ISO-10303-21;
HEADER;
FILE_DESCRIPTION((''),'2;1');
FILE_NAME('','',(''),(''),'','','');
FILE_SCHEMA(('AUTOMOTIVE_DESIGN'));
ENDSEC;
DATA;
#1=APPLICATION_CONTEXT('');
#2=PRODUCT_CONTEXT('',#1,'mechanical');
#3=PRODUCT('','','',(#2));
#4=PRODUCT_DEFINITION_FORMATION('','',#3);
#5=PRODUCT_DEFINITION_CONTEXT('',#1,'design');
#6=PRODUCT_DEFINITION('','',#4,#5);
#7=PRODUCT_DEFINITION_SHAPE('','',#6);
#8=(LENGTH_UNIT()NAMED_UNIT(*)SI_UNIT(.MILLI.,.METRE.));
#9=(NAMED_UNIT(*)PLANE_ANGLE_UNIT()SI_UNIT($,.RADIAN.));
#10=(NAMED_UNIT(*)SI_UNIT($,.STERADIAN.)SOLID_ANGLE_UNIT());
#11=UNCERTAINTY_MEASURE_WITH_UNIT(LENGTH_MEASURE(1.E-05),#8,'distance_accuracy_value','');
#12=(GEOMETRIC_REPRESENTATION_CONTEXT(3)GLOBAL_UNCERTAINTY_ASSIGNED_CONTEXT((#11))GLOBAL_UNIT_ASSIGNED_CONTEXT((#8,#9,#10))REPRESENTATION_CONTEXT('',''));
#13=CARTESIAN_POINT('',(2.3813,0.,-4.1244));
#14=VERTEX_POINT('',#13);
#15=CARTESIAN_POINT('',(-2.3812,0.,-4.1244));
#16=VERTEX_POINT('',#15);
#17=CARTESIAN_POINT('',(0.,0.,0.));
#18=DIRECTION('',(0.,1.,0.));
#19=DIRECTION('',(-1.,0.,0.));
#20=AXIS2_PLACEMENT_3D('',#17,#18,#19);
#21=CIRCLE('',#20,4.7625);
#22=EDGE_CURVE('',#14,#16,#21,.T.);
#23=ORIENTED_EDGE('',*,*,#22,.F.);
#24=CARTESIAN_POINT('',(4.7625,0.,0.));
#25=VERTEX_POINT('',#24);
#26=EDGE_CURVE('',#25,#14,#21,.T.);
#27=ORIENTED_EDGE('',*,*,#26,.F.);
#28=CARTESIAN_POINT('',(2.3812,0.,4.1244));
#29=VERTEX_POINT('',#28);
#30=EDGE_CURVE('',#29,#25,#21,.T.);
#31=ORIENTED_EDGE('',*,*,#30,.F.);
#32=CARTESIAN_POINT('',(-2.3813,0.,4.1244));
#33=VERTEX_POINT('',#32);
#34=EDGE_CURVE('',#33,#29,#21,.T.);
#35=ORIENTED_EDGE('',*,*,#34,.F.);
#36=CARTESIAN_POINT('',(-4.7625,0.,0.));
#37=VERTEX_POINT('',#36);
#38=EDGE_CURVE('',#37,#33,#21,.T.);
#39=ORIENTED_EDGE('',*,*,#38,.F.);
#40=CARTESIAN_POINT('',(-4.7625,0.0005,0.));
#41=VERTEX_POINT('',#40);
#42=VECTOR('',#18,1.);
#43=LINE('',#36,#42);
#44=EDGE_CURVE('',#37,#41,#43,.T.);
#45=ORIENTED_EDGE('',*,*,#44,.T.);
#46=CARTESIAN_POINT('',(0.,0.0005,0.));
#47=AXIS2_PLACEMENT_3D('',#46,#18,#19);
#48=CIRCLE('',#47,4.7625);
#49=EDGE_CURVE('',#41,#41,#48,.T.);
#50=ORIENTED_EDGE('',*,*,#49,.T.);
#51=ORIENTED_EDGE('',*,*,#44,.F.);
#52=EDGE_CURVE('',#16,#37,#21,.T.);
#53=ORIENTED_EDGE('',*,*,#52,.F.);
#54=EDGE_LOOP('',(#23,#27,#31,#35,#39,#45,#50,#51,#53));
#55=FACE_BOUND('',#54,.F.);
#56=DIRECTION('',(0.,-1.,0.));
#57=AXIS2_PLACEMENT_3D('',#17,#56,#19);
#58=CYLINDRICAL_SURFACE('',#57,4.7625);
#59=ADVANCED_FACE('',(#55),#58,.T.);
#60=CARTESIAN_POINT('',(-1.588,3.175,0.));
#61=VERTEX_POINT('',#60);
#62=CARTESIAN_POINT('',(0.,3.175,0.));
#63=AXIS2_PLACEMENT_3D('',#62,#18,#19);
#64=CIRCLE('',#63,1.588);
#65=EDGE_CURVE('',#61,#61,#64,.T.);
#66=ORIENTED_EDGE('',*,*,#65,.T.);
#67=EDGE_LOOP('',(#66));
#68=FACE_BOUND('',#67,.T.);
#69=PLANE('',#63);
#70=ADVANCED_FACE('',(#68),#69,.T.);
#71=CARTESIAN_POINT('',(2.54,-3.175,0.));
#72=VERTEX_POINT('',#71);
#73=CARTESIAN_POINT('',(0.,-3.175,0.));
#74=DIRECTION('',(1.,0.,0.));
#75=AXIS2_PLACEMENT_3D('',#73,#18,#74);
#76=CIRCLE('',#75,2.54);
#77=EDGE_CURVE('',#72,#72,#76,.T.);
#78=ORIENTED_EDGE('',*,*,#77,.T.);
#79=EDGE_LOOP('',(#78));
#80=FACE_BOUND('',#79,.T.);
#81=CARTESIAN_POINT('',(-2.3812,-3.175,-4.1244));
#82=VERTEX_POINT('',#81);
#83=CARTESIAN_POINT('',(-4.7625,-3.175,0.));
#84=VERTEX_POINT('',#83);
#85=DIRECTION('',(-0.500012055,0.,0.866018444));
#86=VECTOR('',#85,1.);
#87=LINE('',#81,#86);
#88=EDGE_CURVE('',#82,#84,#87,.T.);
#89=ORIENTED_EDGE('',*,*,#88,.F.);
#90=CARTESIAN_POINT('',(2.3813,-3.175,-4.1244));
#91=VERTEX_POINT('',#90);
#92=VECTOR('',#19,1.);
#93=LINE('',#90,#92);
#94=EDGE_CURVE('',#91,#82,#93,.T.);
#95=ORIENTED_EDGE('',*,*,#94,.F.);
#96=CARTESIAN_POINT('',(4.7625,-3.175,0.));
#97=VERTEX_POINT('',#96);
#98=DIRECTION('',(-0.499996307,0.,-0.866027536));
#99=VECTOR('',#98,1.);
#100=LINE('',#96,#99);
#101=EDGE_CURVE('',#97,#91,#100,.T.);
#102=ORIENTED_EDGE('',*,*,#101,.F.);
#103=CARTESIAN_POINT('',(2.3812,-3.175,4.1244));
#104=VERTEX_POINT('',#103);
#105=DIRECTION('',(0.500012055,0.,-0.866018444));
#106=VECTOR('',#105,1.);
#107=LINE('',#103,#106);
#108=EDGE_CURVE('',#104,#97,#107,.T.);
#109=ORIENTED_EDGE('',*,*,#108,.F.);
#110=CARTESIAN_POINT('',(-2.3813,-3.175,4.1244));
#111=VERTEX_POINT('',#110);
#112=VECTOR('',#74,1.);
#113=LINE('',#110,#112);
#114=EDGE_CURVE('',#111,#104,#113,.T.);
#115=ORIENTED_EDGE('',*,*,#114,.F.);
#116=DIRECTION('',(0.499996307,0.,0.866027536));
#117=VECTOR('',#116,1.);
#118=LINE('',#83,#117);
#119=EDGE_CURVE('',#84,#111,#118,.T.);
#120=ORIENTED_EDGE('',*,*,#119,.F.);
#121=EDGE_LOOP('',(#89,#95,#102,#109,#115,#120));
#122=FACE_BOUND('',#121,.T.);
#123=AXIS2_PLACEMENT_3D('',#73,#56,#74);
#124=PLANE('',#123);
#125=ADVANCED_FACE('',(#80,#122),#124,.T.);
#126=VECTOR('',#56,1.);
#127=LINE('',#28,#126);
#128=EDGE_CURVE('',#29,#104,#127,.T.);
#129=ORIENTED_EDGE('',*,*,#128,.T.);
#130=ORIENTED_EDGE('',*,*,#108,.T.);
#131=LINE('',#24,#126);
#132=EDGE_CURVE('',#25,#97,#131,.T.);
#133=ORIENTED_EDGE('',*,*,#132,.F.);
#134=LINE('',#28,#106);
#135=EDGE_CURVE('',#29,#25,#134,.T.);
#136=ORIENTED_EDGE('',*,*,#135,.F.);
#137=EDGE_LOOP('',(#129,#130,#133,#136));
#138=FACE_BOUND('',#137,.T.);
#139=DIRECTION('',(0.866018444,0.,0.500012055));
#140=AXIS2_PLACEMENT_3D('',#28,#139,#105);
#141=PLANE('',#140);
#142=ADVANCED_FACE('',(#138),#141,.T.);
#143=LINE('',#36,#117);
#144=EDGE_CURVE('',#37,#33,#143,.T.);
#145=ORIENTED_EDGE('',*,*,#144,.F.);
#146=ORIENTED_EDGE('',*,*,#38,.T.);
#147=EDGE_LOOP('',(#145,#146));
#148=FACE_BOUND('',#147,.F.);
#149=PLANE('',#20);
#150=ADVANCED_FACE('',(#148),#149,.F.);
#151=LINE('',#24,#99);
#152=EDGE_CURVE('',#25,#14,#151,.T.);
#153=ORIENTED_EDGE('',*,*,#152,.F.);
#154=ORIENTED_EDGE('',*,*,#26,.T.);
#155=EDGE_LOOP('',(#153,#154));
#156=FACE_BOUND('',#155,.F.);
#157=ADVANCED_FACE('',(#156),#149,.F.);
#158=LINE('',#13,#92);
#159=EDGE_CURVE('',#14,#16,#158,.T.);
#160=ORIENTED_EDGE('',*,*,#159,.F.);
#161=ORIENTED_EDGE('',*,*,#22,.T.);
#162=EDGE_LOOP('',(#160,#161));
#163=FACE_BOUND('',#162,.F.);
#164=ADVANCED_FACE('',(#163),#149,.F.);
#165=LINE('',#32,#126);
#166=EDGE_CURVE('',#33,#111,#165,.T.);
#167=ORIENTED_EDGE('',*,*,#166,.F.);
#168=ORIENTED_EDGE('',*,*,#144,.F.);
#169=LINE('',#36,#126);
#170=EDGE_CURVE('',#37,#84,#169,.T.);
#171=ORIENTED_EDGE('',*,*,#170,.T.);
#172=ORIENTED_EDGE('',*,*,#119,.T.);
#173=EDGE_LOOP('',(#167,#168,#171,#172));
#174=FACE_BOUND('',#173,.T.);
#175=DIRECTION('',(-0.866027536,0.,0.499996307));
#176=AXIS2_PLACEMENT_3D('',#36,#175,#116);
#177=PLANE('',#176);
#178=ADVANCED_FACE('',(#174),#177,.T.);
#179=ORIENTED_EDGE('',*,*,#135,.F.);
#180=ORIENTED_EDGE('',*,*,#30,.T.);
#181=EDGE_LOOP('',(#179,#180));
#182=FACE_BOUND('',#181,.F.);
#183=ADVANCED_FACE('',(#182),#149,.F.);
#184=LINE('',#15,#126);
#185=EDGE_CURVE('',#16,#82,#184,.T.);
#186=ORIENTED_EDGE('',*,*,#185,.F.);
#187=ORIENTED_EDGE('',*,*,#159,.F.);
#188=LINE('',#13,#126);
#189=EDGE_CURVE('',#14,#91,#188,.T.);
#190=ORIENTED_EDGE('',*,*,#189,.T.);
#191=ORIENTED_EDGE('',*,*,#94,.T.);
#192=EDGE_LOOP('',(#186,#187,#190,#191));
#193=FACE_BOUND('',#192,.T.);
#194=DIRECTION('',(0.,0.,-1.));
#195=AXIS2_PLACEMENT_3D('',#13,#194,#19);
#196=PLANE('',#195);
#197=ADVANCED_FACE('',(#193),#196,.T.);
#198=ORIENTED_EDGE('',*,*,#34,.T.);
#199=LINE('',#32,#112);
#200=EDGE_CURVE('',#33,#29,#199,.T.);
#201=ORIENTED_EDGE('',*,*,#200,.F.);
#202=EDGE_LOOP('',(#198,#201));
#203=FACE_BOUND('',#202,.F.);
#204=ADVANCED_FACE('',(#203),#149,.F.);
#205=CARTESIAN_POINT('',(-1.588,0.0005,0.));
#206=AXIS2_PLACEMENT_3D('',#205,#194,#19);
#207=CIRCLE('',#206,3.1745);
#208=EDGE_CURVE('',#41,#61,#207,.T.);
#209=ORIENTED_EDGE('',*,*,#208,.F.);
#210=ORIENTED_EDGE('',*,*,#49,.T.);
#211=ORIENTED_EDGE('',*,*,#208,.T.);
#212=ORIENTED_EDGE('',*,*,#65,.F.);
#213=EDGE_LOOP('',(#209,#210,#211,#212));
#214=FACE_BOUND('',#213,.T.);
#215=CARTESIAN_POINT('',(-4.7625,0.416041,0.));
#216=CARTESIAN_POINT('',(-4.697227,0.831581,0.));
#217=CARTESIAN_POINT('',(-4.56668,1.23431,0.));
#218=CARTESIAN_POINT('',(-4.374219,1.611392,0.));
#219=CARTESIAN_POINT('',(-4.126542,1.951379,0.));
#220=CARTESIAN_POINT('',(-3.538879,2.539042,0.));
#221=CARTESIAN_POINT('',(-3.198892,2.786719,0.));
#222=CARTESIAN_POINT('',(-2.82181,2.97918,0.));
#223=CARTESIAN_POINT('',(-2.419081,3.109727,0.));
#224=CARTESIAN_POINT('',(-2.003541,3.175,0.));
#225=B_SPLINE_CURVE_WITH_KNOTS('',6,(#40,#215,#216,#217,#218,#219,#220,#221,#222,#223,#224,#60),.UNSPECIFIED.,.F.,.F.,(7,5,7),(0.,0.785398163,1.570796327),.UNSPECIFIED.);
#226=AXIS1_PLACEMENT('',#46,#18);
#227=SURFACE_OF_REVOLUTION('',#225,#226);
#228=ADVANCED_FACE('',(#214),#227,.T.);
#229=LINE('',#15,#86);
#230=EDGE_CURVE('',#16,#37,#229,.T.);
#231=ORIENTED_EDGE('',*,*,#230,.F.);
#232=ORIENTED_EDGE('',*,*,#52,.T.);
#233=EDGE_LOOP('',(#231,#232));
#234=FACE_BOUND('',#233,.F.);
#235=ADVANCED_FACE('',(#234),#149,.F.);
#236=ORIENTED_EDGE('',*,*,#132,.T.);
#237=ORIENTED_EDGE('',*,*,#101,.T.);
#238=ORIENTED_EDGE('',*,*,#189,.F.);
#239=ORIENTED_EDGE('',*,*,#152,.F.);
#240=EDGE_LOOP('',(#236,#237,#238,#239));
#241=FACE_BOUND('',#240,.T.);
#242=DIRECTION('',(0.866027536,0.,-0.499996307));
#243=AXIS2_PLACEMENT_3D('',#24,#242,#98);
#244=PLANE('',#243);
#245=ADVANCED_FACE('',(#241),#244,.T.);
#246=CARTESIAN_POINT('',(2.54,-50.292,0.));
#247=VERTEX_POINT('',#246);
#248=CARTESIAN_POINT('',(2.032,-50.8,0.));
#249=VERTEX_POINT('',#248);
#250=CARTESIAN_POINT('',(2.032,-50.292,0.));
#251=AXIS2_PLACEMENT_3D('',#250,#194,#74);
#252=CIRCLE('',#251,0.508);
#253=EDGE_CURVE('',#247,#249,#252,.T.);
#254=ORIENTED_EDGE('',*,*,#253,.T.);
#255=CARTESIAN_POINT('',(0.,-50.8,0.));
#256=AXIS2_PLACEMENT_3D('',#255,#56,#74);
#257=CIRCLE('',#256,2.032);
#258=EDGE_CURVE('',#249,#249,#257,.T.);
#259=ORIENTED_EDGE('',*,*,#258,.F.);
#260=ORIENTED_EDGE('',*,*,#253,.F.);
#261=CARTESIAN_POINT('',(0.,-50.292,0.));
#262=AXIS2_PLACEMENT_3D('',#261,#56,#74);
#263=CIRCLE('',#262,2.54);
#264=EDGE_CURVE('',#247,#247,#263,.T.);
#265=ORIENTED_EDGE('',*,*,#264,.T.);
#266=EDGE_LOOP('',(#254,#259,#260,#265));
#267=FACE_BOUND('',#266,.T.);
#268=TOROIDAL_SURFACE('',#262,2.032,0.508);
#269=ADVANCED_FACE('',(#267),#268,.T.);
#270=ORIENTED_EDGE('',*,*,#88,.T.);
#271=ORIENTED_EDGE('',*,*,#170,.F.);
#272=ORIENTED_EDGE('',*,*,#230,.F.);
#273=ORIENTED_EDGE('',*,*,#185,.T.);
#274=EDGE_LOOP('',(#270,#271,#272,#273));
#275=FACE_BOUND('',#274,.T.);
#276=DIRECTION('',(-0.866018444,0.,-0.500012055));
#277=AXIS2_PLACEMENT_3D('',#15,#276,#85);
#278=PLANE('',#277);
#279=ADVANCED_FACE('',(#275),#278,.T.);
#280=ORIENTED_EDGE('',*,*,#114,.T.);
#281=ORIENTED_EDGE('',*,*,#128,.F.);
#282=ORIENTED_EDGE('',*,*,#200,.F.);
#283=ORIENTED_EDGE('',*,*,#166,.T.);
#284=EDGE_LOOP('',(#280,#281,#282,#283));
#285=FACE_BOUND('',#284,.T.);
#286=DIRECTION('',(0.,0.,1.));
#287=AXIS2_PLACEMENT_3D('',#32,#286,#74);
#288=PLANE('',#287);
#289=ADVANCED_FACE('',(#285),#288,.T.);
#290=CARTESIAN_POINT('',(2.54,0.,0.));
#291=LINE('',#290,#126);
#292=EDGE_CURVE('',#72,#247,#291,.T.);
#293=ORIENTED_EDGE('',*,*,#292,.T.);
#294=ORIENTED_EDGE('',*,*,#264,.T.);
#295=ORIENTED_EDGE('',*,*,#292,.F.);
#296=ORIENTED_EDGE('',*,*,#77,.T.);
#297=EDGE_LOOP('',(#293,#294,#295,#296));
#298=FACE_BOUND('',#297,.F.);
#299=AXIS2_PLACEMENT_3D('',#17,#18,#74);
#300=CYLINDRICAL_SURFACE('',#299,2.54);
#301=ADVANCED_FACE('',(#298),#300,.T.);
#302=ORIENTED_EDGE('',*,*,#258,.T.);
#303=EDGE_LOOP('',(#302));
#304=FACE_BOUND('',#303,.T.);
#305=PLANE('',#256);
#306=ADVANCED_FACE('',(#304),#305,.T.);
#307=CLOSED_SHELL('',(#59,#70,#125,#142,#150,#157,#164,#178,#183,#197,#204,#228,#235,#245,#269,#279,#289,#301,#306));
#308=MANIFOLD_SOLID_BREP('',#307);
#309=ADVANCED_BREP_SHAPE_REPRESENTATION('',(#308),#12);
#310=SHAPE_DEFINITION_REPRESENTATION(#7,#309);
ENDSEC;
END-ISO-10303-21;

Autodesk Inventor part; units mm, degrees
ref_plane "YZ Plane" through (0, 0, 0) normal (1, 0, 0) x (0, 1, 0)
ref_plane "XZ Plane" through (0, 0, 0) normal (0, 1, 0) x (-1, 0, 0)
ref_plane "XY Plane" through (0, 0, 0) normal (0, 0, 1) x (1, 0, 0)
sketch "Sketch1" plane through (0, 0, 0) normal (0, 1, 0) x (-1, 0, 0)
  circle A0 centre (0, 0) radius 4.7625
  dimension "d0" = 9.525
extrude "Extrusion1" add sketch "Sketch1" along normal blind 3.175
fillet "Fillet1" radius 3.175 1 edges at (4.7625, 3.175, 0)
sketch "Sketch2" plane through (0, 0, 0) normal (0, -1, 0) x (1, 0, 0)
  circle A0 centre (0, 0) radius 2.54
  dimension "d4" = 5.08
extrude "Extrusion2" add sketch "Sketch2" along normal blind 50.8
fillet "Fillet2" radius 0.508 1 edges at (-2.54, -50.8, 0)
thread "Thread1" size "12-24 UNC" class "2A" standard "ANSI Unified Screw Threads" full length
sketch "Sketch3" plane through (0, 0, 0) normal (0, -1, 0) x (1, 0, 0)
  circle A0 centre (0, 0) radius 1.5875 projected
  circle A1 centre (0, 0) radius 4.7625 projected
  line L0 (-4.7625, 0) -> (-2.3813, 4.1244)
  line L1 (-2.3813, 4.1244) -> (2.3812, 4.1244)
  line L2 (2.3812, 4.1244) -> (4.7625, 0)
  line L3 (4.7625, 0) -> (2.3813, -4.1244)
  line L4 (2.3813, -4.1244) -> (-2.3812, -4.1244)
  line L5 (-2.3812, -4.1244) -> (-4.7625, 0)
extrude "Extrusion3" add sketch "Sketch3" along normal blind 3.175 contours L3 L4 L5 L0 L1 L2
properties part number "2in Bolt w Nut"
